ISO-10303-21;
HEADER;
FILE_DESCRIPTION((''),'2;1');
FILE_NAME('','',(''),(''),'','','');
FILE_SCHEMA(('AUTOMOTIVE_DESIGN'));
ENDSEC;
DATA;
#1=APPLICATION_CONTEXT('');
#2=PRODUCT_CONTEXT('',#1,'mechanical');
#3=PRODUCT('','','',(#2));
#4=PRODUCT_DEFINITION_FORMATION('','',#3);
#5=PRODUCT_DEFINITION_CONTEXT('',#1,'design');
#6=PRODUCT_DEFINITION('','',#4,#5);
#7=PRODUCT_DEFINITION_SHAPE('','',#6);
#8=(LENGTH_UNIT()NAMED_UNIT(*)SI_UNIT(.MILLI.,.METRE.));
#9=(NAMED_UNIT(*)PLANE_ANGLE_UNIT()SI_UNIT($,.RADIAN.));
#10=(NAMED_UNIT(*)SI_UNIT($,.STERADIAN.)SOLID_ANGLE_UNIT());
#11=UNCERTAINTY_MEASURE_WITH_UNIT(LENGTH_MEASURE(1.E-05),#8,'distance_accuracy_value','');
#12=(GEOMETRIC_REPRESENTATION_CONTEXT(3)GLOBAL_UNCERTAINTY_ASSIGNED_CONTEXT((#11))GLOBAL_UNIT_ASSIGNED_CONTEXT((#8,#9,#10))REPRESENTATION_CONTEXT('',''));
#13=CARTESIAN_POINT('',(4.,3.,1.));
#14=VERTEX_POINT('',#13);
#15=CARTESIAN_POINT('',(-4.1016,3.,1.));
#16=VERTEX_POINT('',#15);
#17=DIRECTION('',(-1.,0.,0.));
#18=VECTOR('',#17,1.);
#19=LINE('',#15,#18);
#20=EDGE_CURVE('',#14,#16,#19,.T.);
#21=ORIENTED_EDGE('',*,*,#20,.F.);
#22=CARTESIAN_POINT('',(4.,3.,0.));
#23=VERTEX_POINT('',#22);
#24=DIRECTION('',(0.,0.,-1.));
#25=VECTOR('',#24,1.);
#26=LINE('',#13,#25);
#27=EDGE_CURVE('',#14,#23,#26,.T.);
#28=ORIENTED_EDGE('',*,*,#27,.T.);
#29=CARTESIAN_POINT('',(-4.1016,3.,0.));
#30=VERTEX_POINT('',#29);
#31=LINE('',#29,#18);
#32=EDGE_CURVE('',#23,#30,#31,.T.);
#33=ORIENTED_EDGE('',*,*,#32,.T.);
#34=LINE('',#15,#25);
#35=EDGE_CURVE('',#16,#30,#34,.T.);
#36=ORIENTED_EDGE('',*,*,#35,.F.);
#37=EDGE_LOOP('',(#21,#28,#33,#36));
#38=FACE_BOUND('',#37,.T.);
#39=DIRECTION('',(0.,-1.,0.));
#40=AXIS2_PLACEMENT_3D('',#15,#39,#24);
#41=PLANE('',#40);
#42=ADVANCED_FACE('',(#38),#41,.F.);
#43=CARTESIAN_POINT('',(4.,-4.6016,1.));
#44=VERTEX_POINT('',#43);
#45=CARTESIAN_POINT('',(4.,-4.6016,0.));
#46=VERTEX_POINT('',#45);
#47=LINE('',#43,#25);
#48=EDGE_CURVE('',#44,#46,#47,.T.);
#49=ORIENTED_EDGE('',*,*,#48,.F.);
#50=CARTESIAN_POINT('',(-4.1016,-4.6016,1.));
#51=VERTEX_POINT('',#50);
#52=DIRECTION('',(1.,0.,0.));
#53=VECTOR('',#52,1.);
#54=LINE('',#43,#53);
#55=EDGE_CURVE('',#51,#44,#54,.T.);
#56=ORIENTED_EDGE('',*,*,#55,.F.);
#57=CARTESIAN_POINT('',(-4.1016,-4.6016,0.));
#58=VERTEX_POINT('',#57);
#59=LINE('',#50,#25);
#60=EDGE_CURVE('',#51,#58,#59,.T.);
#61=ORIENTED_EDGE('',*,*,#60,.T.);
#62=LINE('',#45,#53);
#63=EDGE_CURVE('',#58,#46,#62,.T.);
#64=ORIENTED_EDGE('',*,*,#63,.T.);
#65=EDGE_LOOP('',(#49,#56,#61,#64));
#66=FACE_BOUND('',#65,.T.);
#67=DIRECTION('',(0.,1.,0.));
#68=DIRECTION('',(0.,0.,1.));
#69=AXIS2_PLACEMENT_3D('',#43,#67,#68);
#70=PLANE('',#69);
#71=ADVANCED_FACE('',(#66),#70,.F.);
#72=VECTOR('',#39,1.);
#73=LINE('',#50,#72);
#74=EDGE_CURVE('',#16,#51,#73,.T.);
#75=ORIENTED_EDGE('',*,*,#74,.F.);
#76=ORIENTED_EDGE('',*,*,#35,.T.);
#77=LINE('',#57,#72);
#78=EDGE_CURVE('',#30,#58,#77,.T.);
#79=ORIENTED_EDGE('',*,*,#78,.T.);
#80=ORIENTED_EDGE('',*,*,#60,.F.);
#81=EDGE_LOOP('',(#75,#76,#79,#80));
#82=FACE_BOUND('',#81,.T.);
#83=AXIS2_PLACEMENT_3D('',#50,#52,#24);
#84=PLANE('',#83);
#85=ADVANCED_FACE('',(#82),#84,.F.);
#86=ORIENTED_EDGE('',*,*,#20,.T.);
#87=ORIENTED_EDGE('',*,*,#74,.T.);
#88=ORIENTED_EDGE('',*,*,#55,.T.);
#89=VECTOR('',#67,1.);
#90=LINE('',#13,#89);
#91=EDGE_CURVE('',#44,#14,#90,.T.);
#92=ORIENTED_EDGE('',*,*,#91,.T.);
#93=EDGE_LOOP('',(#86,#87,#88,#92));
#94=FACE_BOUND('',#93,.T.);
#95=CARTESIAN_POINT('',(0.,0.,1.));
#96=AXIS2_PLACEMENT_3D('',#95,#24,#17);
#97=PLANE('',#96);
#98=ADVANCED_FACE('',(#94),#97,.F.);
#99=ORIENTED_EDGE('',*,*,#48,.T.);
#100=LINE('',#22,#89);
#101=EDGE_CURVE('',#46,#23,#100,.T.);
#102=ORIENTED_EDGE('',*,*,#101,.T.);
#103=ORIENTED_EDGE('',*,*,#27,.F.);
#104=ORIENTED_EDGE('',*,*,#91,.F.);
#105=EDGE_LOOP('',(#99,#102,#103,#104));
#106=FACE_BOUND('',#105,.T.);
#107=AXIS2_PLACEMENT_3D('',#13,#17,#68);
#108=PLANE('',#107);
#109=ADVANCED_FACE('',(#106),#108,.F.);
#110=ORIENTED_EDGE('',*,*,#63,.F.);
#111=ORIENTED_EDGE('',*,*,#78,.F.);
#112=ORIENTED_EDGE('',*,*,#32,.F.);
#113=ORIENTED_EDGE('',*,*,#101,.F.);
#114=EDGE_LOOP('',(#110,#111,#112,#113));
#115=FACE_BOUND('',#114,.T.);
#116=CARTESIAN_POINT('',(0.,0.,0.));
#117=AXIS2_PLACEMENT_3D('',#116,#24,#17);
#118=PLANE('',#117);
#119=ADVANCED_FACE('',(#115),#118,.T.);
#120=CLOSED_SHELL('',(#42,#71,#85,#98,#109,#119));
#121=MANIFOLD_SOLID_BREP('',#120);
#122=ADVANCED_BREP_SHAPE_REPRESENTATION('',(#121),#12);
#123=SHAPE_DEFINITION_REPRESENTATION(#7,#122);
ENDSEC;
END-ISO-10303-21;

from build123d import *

# Parameters (mm, degrees)
SKETCH1_W               = 8.1016
SKETCH1_H               = 7.6016
COMPONENT_OUTLINE_DEPTH = 1


with BuildPart() as part:
    # Sketch1 → Component_Outline (new body)
    with BuildSketch(Plane.XY):
        with Locations((-0.0508, -0.8008)):
            Rectangle(SKETCH1_W, SKETCH1_H)
    extrude(amount=COMPONENT_OUTLINE_DEPTH)


solid = part.part
